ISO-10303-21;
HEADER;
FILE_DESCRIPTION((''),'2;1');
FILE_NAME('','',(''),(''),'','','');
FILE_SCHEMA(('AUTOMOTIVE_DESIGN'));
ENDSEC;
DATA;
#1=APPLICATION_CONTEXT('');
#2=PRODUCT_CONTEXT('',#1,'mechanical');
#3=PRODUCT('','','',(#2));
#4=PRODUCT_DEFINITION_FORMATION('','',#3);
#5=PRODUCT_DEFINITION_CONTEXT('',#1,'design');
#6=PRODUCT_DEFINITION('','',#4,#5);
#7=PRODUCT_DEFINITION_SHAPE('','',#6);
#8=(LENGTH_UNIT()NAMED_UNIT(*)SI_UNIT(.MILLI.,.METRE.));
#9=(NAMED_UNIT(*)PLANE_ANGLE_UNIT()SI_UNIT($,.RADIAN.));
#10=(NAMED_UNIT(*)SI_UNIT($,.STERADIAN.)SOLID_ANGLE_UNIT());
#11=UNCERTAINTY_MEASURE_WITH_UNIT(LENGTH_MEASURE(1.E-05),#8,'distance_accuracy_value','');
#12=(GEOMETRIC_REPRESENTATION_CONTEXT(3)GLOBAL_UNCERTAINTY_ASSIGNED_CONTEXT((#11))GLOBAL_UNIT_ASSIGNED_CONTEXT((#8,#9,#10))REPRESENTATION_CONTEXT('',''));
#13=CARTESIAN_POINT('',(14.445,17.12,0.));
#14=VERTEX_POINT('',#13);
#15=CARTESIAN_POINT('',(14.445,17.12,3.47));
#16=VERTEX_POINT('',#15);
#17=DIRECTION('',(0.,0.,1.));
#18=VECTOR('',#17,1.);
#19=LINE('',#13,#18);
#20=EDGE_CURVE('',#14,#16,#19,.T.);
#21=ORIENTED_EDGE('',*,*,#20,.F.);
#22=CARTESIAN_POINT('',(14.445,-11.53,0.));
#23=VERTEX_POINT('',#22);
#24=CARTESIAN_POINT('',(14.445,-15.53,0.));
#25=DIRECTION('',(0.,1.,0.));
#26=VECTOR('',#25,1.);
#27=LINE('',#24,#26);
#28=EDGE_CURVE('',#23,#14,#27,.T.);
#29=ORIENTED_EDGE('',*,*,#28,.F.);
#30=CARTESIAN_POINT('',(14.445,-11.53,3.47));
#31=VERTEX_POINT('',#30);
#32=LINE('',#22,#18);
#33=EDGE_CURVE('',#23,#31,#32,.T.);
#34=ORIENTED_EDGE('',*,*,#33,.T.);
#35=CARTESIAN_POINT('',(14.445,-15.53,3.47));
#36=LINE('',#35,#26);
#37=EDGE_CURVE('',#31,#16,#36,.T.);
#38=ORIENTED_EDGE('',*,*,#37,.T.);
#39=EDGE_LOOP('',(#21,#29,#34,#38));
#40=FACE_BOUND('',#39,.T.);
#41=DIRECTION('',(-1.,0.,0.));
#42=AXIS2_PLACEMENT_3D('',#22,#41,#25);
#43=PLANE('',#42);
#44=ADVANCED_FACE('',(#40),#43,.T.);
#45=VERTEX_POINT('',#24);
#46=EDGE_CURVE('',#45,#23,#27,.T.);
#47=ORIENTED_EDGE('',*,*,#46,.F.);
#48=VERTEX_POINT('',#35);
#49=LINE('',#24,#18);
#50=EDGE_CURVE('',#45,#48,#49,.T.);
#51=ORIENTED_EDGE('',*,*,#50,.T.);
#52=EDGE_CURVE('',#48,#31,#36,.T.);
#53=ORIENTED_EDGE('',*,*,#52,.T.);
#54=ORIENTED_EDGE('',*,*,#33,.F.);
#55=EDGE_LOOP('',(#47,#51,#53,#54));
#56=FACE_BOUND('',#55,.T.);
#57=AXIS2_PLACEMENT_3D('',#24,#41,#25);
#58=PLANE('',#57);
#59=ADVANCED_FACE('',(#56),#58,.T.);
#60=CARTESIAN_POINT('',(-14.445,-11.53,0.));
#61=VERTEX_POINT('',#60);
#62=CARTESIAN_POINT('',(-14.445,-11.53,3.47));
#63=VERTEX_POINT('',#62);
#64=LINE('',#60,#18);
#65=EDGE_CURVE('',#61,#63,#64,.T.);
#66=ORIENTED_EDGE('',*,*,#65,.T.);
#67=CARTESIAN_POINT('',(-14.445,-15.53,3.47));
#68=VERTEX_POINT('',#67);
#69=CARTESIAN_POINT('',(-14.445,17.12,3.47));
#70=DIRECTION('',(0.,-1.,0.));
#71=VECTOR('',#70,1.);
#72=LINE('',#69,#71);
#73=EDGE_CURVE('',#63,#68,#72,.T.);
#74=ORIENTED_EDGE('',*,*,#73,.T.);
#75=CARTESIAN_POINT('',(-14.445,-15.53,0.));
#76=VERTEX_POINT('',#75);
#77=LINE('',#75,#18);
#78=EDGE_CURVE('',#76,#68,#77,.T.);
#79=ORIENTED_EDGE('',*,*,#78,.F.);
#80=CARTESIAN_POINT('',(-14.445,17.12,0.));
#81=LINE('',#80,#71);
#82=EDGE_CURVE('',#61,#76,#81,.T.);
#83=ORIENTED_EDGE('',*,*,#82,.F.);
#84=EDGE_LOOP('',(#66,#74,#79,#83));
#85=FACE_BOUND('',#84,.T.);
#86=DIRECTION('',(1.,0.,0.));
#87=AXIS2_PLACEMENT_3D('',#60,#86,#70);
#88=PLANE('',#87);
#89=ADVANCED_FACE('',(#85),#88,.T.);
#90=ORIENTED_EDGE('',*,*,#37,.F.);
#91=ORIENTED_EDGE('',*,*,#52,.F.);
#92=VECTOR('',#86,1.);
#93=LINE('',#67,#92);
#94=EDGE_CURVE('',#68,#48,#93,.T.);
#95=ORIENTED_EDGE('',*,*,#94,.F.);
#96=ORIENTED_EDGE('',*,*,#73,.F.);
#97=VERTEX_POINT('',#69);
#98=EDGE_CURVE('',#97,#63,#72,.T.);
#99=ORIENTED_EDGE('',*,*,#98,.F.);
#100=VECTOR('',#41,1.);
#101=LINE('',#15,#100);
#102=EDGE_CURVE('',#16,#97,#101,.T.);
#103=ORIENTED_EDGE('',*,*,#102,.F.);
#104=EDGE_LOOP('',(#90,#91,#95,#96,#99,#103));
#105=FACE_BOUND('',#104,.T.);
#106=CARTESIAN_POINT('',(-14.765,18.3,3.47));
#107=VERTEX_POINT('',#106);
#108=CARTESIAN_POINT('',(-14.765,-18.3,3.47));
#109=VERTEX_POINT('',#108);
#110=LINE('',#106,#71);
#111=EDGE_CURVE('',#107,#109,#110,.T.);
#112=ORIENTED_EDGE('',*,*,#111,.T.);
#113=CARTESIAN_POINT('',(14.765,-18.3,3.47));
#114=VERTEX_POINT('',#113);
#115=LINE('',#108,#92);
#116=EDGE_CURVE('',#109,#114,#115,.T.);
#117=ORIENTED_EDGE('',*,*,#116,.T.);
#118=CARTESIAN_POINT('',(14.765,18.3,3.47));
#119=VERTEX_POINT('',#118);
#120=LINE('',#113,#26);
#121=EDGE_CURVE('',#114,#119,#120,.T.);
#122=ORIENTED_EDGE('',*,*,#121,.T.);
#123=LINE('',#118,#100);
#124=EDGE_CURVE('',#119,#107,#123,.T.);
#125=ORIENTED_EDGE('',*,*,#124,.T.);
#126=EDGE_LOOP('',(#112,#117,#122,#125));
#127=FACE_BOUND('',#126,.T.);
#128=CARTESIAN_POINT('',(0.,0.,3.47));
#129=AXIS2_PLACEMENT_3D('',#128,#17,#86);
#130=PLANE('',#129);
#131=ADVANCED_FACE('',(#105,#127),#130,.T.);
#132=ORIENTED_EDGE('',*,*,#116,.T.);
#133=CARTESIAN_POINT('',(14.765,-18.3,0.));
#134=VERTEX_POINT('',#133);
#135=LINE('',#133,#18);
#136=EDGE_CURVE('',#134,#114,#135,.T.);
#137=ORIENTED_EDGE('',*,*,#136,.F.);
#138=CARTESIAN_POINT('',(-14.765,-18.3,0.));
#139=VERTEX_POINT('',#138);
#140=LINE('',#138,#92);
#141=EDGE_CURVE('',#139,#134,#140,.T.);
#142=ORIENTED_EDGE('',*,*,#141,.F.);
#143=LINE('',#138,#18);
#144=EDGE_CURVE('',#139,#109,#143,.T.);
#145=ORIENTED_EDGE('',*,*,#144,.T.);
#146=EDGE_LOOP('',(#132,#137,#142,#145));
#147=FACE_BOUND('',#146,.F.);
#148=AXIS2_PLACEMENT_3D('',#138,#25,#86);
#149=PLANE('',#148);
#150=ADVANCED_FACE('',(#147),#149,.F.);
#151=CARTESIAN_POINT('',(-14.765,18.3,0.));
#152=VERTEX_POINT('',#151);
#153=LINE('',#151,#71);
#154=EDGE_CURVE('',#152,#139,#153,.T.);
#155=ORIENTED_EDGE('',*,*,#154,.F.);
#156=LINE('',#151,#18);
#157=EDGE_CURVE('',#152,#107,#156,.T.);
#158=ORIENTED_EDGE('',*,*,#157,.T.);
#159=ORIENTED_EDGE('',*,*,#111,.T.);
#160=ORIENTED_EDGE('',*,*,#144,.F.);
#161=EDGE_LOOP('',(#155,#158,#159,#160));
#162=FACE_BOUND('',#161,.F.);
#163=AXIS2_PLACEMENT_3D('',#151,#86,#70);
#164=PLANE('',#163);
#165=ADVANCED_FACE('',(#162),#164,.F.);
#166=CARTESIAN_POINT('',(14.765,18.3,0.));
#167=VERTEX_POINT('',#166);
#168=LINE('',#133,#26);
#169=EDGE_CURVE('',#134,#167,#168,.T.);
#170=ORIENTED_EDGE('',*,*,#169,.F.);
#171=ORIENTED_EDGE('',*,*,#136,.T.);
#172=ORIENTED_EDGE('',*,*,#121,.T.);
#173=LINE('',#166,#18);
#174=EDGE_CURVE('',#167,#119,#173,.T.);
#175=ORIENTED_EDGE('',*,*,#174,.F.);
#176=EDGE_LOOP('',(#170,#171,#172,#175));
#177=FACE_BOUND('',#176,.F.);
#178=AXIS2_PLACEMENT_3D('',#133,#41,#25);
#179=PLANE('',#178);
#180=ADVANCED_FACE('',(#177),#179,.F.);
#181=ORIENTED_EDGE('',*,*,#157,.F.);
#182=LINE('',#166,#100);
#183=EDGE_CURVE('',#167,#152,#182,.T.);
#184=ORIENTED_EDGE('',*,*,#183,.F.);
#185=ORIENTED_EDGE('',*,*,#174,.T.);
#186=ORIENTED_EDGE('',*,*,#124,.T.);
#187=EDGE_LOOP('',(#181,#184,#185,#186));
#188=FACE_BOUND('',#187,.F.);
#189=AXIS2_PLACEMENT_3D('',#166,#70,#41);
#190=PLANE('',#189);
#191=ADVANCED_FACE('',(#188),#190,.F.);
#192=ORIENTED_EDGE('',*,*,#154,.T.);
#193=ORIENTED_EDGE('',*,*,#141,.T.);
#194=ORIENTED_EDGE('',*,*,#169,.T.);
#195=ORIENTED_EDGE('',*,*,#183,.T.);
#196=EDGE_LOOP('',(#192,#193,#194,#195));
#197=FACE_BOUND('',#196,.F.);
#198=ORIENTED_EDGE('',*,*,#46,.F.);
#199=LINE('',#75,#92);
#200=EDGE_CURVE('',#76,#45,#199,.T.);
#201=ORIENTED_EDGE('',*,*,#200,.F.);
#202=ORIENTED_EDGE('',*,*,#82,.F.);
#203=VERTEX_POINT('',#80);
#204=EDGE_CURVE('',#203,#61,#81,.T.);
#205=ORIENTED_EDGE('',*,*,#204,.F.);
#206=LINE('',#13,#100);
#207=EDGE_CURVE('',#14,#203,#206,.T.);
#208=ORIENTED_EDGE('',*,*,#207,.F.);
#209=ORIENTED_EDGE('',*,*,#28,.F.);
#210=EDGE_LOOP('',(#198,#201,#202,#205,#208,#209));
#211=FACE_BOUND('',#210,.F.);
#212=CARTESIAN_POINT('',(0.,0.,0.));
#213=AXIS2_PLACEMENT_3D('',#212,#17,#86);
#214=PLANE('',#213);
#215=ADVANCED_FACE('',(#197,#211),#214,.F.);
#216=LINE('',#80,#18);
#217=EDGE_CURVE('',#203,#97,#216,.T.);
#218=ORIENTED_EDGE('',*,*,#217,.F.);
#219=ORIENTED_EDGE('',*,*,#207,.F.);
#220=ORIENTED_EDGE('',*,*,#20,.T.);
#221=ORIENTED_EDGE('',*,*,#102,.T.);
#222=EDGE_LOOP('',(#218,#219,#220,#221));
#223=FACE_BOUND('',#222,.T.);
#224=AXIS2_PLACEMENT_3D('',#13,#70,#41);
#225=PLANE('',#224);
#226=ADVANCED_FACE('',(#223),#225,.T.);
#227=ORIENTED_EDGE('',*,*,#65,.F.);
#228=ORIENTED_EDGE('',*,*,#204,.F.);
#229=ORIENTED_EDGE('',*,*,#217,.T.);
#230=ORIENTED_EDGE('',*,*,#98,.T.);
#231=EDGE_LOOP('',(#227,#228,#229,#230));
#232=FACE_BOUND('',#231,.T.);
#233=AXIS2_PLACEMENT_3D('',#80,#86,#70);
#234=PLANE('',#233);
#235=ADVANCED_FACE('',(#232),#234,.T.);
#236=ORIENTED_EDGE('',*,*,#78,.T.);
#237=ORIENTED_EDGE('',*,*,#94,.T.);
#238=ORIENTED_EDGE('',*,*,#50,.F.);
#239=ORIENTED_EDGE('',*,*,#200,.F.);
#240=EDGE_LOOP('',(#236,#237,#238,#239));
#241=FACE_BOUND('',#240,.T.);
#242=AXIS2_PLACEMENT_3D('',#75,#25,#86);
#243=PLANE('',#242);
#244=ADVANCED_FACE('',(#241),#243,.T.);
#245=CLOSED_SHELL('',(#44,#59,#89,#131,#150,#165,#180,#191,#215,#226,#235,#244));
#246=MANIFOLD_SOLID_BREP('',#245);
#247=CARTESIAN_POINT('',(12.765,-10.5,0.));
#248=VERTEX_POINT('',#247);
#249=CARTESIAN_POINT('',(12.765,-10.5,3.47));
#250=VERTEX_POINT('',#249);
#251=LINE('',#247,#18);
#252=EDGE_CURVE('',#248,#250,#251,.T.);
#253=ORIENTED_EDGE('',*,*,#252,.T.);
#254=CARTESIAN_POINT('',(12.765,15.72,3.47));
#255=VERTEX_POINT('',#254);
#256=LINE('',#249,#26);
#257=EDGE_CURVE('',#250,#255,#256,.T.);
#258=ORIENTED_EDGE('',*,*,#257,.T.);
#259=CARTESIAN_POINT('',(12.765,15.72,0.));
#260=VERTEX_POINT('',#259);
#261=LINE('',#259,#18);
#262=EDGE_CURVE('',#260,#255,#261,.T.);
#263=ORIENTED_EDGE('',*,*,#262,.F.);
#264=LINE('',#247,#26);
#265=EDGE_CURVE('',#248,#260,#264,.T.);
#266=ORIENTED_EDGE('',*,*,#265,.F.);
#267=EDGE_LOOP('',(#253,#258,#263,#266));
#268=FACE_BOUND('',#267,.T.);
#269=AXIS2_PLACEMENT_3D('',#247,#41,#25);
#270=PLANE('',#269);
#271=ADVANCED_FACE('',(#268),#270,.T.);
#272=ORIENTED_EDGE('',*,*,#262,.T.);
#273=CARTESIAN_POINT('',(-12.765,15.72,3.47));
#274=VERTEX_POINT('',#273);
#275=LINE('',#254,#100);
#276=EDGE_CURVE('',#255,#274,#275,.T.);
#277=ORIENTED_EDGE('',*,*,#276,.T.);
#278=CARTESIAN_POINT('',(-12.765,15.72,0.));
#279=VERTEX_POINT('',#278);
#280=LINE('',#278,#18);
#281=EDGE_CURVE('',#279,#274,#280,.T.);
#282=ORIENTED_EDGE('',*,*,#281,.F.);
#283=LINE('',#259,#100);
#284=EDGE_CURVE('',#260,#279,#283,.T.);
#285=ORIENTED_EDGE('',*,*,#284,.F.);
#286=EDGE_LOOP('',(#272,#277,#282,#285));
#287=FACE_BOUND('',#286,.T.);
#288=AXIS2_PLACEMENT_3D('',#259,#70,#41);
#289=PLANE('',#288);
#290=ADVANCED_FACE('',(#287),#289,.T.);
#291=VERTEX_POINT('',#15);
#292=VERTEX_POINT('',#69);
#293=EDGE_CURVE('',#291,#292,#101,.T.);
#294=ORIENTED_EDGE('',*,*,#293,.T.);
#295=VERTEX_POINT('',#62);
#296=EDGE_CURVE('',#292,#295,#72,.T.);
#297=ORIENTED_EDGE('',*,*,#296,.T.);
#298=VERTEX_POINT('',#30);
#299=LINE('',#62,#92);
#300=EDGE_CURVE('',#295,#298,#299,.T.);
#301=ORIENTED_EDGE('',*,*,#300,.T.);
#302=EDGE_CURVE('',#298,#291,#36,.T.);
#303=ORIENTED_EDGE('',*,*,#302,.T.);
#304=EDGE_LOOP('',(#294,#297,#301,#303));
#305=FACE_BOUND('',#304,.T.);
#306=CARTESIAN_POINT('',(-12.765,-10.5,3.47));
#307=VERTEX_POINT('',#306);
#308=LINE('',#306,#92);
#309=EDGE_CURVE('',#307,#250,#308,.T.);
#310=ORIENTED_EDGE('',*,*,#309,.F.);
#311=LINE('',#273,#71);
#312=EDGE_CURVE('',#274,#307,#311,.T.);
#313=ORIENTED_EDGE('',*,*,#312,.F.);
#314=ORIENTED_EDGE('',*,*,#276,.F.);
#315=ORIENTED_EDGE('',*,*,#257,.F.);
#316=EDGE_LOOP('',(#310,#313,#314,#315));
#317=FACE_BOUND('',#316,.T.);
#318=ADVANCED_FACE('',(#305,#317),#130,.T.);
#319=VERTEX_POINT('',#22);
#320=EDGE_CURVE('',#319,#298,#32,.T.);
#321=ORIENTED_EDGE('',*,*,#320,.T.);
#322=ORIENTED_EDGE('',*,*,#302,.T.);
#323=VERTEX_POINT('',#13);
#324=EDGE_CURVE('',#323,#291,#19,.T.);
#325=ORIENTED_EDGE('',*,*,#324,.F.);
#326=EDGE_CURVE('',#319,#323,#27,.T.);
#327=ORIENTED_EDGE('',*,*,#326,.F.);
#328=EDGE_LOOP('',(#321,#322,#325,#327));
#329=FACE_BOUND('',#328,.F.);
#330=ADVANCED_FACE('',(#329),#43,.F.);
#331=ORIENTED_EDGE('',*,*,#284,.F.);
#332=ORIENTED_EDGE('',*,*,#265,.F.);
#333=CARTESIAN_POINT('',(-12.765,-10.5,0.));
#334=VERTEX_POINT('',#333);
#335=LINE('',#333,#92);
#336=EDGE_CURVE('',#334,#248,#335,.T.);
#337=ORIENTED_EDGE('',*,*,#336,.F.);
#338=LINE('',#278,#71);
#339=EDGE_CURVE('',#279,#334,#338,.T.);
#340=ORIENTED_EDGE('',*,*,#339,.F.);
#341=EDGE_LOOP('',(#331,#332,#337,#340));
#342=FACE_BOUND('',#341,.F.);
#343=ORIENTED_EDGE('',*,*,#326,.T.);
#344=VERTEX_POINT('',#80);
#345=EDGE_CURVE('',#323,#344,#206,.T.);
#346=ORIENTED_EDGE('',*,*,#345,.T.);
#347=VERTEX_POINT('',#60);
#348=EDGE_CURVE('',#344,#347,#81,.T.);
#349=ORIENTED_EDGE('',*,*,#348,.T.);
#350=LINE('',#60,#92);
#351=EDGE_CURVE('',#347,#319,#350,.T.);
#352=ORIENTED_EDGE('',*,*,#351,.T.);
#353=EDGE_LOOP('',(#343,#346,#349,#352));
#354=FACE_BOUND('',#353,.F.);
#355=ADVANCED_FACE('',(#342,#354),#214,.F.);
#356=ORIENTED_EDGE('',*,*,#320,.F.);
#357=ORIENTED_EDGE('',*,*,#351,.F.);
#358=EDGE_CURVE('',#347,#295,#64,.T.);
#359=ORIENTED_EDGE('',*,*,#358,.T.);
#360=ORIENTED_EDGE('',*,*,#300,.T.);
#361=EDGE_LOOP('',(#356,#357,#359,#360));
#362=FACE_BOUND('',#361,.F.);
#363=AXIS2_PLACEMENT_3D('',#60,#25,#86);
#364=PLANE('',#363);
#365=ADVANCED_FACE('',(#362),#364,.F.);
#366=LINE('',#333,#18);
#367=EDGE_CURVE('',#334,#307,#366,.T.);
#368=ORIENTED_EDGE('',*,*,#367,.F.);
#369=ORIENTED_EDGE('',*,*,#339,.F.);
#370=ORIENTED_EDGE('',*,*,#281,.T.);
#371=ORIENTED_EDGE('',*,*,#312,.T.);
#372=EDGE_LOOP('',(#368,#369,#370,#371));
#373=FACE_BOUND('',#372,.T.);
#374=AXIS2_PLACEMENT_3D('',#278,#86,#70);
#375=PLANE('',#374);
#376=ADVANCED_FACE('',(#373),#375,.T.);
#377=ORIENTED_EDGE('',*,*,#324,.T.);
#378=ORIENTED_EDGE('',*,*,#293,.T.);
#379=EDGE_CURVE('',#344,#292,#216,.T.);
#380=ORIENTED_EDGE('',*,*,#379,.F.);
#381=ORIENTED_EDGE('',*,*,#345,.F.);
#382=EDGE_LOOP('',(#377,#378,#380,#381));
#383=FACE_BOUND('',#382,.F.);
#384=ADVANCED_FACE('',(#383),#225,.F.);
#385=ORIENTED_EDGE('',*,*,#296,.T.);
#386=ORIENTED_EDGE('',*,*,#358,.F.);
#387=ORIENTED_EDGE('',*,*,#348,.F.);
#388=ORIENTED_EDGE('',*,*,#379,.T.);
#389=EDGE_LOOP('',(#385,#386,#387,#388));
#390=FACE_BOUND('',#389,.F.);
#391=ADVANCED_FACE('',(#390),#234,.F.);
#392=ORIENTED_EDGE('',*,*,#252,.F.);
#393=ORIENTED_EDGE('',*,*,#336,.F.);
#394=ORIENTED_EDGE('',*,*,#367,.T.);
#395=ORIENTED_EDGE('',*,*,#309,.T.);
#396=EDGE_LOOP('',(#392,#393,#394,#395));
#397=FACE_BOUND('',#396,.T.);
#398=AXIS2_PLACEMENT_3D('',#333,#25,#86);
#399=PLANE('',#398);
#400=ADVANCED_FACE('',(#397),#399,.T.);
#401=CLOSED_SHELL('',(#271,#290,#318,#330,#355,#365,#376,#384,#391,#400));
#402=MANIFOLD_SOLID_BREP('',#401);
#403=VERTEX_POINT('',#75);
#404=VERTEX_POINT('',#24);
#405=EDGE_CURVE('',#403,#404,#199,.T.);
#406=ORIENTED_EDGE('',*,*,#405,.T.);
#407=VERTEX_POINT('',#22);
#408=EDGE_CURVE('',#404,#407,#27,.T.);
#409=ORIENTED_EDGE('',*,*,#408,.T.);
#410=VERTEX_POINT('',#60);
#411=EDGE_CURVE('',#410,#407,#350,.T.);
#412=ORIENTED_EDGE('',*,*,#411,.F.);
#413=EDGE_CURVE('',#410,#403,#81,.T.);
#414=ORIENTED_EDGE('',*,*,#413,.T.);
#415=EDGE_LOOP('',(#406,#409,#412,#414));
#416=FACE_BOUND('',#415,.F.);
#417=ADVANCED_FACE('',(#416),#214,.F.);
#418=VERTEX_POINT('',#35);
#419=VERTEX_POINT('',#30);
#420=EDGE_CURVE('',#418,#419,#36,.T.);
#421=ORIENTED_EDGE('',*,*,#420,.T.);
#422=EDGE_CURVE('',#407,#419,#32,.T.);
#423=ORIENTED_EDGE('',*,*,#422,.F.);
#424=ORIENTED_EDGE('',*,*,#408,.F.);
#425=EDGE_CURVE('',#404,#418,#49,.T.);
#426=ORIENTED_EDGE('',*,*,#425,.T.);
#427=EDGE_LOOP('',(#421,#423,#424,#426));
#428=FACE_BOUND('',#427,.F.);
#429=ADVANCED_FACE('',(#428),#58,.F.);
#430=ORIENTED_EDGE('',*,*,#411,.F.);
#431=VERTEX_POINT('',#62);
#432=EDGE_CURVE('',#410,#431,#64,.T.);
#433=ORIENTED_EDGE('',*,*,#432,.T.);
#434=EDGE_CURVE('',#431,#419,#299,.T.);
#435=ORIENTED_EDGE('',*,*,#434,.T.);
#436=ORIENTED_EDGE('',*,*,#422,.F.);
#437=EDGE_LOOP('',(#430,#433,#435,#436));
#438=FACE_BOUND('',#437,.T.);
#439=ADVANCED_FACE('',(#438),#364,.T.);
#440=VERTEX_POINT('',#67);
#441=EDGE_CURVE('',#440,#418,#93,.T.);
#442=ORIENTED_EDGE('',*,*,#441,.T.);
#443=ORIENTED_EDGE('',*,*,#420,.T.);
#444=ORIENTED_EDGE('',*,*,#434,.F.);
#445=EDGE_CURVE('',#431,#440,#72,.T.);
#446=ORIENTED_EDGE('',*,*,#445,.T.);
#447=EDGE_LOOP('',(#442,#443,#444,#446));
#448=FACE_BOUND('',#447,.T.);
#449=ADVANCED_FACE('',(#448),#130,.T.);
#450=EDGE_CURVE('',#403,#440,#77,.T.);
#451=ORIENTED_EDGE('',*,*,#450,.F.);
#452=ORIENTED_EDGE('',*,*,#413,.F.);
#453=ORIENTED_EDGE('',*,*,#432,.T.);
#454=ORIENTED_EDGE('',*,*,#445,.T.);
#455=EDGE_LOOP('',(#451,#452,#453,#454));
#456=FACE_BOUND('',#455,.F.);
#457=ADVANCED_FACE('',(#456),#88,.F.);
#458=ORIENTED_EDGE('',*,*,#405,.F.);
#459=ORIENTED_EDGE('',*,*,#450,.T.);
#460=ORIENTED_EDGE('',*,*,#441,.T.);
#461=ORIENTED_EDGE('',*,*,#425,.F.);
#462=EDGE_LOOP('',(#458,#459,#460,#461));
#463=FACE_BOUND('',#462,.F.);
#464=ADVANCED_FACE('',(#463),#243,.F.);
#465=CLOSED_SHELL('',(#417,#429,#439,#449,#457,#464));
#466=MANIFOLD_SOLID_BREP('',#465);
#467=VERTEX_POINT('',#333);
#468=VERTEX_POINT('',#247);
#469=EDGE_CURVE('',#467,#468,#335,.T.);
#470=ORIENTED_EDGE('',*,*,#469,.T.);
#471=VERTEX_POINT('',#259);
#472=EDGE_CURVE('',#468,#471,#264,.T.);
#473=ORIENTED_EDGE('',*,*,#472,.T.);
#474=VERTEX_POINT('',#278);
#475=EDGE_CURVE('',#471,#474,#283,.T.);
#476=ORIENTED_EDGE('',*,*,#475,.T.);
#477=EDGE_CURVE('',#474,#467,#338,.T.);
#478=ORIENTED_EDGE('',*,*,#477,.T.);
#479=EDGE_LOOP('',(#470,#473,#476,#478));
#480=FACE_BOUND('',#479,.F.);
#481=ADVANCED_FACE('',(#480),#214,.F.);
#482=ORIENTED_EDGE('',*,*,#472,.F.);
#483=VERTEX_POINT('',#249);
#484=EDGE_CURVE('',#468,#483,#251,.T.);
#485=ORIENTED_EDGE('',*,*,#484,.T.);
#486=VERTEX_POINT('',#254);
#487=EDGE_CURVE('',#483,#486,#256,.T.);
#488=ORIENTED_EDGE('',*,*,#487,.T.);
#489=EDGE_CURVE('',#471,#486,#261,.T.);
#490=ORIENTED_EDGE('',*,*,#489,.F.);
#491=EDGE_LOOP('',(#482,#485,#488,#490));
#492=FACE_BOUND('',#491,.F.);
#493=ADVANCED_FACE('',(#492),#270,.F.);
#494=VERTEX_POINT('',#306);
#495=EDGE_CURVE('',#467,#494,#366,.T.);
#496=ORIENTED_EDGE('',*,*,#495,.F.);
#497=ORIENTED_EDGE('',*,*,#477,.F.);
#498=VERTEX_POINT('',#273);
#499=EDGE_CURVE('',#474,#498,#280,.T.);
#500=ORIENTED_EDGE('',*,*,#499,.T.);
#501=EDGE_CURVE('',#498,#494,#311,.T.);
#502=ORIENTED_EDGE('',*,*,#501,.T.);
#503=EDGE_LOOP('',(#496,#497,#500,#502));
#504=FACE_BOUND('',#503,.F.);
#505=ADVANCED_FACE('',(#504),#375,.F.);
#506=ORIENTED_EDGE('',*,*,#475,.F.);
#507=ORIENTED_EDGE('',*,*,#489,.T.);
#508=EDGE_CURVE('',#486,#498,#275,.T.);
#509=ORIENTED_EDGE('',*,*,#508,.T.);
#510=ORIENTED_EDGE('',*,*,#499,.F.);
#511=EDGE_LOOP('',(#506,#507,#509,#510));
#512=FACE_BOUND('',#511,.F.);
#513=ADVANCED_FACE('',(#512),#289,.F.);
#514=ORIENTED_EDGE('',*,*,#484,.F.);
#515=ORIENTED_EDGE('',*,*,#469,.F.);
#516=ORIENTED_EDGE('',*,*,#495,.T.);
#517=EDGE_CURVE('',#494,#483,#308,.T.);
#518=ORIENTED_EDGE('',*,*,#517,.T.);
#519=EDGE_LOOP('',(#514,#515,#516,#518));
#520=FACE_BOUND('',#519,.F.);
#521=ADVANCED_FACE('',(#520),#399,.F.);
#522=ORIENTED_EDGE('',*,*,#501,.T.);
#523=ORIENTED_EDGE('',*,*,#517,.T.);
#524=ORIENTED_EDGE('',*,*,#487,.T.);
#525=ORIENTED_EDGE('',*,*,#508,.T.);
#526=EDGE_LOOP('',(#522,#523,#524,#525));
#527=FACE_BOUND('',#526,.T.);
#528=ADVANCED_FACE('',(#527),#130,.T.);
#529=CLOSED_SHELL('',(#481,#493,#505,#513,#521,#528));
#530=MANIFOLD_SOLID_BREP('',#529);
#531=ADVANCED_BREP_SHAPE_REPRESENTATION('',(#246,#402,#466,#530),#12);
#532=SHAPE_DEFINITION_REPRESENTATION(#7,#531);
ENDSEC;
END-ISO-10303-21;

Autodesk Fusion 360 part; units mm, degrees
sketch "Sketch1" plane through (0, 0, 0) normal (0, 0, 1) x (1, 0, 0)
  line L0 (14.765, 18.3) -> (-14.765, 18.3)
  line L1 (-14.765, 18.3) -> (-14.765, -18.3)
  line L2 (-14.765, -18.3) -> (14.765, -18.3)
  line L3 (14.765, -18.3) -> (14.765, 18.3)
  line L4 (14.765, 18.3) -> (-14.765, -18.3) construction
  line L5 (-14.765, 18.3) -> (14.765, -18.3) construction
  line L6 (12.765, 15.72) -> (-12.765, 15.72)
  line L7 (-12.765, -10.5) -> (12.765, -10.5)
  line L8 (12.765, -10.5) -> (12.765, 15.72)
  line L9 (-12.765, 15.72) -> (-12.765, -10.5)
  line L10 (14.445, -15.53) -> (14.445, 17.12)
  line L11 (-14.445, 17.12) -> (-14.445, -15.53)
  line L12 (14.445, 17.12) -> (-14.445, 17.12)
  line L13 (-14.445, -15.53) -> (14.445, -15.53)
  line L14 (-14.445, -11.53) -> (14.445, -11.53)
  dimension "d1" = 29.53
  dimension "d2" = 36.6
  dimension "d3" = -2.58
  dimension "d4" = -7.8
  dimension "d5" = -2
  dimension "d6" = -2
  dimension "d7" = -0.32
  dimension "d8" = -1.18
  dimension "d9" = -2.77
  dimension "d10" = -4
extrude "Extrude1" add sketch "Sketch1" along normal blind 3.47 contours L0 L1 L2 L3 makes body 1
extrude "Extrude2" add sketch "Sketch1" along normal blind 3.47 separate body contours L10 L11 L13 L14 makes body 2
extrude "Extrude3" add sketch "Sketch1" along normal blind 3.47 separate body contours L10 L11 L12 L14 makes body 3
extrude "Extrude4" add sketch "Sketch1" along normal blind 3.47 separate body contours L6 L7 L8 L9 makes body 4
